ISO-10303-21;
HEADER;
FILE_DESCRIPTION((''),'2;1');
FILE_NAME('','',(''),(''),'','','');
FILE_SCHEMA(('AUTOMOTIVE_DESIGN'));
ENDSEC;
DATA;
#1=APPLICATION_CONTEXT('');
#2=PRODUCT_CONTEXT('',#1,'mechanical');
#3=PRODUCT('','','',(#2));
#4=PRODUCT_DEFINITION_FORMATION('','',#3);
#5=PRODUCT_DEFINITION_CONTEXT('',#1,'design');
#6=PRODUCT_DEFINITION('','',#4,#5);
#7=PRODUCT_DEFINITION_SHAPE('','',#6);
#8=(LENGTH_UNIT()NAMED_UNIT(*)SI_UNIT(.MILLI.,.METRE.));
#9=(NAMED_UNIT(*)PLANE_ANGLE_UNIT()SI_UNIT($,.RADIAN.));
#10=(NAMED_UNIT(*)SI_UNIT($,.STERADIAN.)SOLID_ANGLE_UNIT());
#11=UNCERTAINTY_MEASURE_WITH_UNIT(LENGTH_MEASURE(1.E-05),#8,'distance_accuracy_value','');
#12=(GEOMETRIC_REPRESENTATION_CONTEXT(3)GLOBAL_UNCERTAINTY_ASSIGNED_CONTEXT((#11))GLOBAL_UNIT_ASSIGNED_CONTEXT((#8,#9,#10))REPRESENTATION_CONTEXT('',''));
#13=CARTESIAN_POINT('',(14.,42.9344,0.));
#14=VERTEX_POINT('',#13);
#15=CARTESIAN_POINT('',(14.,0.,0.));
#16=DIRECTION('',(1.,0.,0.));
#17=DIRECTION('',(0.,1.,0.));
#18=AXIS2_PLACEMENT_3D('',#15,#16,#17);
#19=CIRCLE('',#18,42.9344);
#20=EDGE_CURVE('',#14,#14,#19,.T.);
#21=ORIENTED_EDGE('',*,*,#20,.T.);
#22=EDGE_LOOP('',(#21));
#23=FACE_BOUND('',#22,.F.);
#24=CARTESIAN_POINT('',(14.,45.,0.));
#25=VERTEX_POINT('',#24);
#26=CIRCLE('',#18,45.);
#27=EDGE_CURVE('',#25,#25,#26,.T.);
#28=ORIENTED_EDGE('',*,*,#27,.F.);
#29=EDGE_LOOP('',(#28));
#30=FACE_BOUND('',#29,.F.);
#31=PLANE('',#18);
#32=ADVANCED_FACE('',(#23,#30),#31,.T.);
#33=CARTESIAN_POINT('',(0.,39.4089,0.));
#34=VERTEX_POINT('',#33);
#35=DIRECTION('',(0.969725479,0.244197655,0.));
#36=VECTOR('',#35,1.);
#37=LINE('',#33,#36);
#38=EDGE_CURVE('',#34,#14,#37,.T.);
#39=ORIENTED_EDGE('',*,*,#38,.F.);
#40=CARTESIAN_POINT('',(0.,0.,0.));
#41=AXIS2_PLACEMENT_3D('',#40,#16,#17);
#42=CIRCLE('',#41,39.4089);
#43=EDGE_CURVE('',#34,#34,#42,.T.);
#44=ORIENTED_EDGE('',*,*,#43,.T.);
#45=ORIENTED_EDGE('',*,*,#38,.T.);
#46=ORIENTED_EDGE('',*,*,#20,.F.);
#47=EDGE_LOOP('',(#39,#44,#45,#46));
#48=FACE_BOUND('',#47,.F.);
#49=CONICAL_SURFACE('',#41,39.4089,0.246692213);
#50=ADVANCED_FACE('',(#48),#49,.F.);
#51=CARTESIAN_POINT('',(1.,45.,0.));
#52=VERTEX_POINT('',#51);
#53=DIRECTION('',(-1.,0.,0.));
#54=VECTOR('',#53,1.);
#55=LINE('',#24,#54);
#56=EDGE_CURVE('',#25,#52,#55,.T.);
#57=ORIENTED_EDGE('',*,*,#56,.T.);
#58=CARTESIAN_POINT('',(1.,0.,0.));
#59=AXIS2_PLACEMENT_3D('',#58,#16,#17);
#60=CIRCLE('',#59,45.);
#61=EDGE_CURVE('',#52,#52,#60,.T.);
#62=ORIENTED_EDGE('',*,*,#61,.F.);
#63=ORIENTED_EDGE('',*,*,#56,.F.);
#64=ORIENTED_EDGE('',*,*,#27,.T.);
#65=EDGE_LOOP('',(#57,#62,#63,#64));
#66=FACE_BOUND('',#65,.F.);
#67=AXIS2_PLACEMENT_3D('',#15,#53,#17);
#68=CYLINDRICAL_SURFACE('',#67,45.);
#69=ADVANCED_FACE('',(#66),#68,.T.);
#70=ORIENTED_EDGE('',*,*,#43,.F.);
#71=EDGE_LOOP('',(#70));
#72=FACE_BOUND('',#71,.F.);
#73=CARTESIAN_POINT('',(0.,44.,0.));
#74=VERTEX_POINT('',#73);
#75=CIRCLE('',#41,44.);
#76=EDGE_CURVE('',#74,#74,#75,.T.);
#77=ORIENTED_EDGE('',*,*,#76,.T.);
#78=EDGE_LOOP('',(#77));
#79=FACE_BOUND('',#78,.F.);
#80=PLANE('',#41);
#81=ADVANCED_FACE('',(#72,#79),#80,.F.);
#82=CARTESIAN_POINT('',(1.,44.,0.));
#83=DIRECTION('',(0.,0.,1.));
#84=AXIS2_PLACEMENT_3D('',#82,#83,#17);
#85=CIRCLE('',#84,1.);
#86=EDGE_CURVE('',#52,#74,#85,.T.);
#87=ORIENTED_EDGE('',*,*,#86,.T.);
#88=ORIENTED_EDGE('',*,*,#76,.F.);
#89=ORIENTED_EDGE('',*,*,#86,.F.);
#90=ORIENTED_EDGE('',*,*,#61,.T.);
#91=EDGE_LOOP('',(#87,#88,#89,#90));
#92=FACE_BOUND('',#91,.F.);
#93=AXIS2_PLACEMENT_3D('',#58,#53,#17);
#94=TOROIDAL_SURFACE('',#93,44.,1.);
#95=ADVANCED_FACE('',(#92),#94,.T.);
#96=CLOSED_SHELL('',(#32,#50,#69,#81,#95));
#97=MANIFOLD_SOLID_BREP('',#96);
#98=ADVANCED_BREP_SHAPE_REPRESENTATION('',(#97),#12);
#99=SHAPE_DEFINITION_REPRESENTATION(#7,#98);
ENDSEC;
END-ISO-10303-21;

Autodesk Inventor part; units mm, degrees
sketch "Sketch_1" plane through (0, 0, 0) normal (0, 0, 1) x (1, 0, 0)
  line L0 (14, 0) -> (1, 0)
  line L1 (0, 44) -> (0, 39.4089)
  line L2 (0, 39.4089) -> (14, 42.9344)
  line L3 (14, 42.9344) -> (14, 45)
  line L4 (14, 45) -> (1, 45)
  arc A0 (1, 45) -> (0, 44) centre (1, 44) ccw
revolve "Revolution1" add sketch "Sketch_1" angle 360 about axis through (14, 0, 0) along (1, 0, 0)
ref_plane "outer_ring_XY" through (0, 0, 0) normal (0, 0, 1) x (1, 0, 0)
ref_plane "outer_ring_YZ" through (0, 0, 0) normal (1, 0, 0) x (0, 1, 0)
ref_plane "outer_ring_ZX" through (0, 0, 0) normal (0, 1, 0) x (0, 0, 1)
properties part number "32913_or"
